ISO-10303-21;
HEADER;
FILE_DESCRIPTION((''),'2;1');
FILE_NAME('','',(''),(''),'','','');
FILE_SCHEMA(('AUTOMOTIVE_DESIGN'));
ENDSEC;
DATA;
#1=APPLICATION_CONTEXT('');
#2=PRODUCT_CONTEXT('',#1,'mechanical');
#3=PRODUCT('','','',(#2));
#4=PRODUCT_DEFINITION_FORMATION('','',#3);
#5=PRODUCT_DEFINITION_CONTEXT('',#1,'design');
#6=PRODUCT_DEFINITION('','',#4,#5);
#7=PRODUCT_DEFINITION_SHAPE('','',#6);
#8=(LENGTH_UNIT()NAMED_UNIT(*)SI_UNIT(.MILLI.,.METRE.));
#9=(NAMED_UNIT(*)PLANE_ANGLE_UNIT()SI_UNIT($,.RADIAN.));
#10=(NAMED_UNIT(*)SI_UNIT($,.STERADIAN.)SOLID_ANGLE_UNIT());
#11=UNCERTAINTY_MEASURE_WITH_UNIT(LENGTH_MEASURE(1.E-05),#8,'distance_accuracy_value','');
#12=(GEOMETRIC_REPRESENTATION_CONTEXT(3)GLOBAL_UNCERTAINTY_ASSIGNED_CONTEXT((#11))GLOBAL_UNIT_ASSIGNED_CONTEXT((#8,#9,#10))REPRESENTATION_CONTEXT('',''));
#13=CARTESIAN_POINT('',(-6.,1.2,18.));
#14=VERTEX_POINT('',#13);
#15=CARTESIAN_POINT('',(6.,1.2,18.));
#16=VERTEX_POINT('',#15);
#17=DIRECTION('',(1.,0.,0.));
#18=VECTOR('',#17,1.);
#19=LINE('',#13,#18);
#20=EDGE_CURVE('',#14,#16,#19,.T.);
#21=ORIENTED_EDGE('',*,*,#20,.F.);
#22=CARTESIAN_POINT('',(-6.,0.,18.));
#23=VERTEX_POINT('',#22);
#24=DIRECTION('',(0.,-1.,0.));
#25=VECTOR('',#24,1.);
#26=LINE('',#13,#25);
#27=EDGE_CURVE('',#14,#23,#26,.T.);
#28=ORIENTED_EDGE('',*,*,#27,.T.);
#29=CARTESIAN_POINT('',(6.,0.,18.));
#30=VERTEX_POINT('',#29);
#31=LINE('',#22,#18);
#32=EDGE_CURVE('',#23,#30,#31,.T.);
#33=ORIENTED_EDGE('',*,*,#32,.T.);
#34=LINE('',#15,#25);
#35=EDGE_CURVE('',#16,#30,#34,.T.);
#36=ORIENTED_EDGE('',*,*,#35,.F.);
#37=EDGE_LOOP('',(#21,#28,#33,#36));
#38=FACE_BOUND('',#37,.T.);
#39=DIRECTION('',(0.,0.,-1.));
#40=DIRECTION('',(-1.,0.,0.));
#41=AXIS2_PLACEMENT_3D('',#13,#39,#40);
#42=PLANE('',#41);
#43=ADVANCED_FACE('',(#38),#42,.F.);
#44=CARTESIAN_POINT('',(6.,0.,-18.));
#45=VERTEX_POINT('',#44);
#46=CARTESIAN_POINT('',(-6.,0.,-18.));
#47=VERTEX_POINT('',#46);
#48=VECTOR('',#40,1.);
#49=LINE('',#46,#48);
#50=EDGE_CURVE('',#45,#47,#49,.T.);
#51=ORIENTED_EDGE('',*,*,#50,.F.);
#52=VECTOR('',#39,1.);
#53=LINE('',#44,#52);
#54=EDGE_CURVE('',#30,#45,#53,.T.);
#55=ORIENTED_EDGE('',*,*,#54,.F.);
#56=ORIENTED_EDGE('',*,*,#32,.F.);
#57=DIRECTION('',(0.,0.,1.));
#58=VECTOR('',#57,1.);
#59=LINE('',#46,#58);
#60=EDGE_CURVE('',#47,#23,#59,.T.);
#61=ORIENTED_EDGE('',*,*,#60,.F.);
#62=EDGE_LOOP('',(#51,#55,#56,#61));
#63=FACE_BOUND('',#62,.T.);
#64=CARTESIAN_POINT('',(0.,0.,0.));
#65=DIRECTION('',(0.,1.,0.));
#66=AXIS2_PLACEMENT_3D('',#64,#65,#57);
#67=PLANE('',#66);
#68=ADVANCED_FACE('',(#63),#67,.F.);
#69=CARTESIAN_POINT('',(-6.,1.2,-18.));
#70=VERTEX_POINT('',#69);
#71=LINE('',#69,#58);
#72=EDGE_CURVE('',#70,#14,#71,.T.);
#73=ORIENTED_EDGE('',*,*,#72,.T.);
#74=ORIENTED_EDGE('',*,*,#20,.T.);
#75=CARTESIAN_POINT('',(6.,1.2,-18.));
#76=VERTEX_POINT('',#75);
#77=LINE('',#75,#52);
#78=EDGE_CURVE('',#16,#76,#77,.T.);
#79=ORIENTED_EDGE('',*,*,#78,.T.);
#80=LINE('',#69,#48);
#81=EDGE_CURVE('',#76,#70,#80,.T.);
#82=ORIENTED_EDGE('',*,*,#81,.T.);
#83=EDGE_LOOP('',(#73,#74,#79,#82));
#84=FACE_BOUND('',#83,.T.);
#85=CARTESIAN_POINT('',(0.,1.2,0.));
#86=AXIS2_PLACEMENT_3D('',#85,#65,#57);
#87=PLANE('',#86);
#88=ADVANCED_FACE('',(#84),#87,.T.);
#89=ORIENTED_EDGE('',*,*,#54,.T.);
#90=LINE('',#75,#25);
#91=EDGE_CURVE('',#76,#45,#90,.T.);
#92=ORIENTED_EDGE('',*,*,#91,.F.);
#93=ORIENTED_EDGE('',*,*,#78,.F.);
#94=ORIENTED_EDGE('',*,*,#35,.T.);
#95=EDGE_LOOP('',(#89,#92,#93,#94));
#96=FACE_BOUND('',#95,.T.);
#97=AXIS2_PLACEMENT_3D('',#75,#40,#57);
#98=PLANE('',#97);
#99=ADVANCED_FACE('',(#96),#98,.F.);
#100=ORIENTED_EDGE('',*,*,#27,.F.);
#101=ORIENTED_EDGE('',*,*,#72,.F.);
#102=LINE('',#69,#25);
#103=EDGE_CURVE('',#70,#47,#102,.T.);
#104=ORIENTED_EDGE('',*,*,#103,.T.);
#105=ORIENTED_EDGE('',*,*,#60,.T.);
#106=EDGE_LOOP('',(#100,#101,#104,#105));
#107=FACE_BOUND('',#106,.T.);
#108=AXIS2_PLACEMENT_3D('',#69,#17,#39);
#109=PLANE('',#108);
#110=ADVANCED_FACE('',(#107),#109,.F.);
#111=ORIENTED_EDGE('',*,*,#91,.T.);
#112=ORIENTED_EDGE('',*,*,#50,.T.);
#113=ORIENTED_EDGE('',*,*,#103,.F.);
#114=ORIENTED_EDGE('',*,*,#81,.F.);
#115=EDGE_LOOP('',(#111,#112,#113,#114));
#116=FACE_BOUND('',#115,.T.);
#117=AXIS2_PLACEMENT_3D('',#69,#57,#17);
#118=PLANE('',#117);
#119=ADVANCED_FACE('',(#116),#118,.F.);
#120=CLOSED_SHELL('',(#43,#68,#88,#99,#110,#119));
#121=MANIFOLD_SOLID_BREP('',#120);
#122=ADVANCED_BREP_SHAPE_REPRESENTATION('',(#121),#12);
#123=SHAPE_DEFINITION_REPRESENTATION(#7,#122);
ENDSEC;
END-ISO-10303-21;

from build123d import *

# Parameters (mm, degrees)
ESQUISSE1_W        = 12
ESQUISSE1_H        = 36
BOSS_EXTRU_1_DEPTH = 1.2


with BuildPart() as part:
    # Esquisse1 → Boss.-Extru.1 (new body)
    with BuildSketch(Plane(origin=(0, 0, 0), x_dir=(1, 0, 0), z_dir=(0, 1, 0))):
        Rectangle(ESQUISSE1_W, ESQUISSE1_H)
    extrude(amount=BOSS_EXTRU_1_DEPTH)


solid = part.part
